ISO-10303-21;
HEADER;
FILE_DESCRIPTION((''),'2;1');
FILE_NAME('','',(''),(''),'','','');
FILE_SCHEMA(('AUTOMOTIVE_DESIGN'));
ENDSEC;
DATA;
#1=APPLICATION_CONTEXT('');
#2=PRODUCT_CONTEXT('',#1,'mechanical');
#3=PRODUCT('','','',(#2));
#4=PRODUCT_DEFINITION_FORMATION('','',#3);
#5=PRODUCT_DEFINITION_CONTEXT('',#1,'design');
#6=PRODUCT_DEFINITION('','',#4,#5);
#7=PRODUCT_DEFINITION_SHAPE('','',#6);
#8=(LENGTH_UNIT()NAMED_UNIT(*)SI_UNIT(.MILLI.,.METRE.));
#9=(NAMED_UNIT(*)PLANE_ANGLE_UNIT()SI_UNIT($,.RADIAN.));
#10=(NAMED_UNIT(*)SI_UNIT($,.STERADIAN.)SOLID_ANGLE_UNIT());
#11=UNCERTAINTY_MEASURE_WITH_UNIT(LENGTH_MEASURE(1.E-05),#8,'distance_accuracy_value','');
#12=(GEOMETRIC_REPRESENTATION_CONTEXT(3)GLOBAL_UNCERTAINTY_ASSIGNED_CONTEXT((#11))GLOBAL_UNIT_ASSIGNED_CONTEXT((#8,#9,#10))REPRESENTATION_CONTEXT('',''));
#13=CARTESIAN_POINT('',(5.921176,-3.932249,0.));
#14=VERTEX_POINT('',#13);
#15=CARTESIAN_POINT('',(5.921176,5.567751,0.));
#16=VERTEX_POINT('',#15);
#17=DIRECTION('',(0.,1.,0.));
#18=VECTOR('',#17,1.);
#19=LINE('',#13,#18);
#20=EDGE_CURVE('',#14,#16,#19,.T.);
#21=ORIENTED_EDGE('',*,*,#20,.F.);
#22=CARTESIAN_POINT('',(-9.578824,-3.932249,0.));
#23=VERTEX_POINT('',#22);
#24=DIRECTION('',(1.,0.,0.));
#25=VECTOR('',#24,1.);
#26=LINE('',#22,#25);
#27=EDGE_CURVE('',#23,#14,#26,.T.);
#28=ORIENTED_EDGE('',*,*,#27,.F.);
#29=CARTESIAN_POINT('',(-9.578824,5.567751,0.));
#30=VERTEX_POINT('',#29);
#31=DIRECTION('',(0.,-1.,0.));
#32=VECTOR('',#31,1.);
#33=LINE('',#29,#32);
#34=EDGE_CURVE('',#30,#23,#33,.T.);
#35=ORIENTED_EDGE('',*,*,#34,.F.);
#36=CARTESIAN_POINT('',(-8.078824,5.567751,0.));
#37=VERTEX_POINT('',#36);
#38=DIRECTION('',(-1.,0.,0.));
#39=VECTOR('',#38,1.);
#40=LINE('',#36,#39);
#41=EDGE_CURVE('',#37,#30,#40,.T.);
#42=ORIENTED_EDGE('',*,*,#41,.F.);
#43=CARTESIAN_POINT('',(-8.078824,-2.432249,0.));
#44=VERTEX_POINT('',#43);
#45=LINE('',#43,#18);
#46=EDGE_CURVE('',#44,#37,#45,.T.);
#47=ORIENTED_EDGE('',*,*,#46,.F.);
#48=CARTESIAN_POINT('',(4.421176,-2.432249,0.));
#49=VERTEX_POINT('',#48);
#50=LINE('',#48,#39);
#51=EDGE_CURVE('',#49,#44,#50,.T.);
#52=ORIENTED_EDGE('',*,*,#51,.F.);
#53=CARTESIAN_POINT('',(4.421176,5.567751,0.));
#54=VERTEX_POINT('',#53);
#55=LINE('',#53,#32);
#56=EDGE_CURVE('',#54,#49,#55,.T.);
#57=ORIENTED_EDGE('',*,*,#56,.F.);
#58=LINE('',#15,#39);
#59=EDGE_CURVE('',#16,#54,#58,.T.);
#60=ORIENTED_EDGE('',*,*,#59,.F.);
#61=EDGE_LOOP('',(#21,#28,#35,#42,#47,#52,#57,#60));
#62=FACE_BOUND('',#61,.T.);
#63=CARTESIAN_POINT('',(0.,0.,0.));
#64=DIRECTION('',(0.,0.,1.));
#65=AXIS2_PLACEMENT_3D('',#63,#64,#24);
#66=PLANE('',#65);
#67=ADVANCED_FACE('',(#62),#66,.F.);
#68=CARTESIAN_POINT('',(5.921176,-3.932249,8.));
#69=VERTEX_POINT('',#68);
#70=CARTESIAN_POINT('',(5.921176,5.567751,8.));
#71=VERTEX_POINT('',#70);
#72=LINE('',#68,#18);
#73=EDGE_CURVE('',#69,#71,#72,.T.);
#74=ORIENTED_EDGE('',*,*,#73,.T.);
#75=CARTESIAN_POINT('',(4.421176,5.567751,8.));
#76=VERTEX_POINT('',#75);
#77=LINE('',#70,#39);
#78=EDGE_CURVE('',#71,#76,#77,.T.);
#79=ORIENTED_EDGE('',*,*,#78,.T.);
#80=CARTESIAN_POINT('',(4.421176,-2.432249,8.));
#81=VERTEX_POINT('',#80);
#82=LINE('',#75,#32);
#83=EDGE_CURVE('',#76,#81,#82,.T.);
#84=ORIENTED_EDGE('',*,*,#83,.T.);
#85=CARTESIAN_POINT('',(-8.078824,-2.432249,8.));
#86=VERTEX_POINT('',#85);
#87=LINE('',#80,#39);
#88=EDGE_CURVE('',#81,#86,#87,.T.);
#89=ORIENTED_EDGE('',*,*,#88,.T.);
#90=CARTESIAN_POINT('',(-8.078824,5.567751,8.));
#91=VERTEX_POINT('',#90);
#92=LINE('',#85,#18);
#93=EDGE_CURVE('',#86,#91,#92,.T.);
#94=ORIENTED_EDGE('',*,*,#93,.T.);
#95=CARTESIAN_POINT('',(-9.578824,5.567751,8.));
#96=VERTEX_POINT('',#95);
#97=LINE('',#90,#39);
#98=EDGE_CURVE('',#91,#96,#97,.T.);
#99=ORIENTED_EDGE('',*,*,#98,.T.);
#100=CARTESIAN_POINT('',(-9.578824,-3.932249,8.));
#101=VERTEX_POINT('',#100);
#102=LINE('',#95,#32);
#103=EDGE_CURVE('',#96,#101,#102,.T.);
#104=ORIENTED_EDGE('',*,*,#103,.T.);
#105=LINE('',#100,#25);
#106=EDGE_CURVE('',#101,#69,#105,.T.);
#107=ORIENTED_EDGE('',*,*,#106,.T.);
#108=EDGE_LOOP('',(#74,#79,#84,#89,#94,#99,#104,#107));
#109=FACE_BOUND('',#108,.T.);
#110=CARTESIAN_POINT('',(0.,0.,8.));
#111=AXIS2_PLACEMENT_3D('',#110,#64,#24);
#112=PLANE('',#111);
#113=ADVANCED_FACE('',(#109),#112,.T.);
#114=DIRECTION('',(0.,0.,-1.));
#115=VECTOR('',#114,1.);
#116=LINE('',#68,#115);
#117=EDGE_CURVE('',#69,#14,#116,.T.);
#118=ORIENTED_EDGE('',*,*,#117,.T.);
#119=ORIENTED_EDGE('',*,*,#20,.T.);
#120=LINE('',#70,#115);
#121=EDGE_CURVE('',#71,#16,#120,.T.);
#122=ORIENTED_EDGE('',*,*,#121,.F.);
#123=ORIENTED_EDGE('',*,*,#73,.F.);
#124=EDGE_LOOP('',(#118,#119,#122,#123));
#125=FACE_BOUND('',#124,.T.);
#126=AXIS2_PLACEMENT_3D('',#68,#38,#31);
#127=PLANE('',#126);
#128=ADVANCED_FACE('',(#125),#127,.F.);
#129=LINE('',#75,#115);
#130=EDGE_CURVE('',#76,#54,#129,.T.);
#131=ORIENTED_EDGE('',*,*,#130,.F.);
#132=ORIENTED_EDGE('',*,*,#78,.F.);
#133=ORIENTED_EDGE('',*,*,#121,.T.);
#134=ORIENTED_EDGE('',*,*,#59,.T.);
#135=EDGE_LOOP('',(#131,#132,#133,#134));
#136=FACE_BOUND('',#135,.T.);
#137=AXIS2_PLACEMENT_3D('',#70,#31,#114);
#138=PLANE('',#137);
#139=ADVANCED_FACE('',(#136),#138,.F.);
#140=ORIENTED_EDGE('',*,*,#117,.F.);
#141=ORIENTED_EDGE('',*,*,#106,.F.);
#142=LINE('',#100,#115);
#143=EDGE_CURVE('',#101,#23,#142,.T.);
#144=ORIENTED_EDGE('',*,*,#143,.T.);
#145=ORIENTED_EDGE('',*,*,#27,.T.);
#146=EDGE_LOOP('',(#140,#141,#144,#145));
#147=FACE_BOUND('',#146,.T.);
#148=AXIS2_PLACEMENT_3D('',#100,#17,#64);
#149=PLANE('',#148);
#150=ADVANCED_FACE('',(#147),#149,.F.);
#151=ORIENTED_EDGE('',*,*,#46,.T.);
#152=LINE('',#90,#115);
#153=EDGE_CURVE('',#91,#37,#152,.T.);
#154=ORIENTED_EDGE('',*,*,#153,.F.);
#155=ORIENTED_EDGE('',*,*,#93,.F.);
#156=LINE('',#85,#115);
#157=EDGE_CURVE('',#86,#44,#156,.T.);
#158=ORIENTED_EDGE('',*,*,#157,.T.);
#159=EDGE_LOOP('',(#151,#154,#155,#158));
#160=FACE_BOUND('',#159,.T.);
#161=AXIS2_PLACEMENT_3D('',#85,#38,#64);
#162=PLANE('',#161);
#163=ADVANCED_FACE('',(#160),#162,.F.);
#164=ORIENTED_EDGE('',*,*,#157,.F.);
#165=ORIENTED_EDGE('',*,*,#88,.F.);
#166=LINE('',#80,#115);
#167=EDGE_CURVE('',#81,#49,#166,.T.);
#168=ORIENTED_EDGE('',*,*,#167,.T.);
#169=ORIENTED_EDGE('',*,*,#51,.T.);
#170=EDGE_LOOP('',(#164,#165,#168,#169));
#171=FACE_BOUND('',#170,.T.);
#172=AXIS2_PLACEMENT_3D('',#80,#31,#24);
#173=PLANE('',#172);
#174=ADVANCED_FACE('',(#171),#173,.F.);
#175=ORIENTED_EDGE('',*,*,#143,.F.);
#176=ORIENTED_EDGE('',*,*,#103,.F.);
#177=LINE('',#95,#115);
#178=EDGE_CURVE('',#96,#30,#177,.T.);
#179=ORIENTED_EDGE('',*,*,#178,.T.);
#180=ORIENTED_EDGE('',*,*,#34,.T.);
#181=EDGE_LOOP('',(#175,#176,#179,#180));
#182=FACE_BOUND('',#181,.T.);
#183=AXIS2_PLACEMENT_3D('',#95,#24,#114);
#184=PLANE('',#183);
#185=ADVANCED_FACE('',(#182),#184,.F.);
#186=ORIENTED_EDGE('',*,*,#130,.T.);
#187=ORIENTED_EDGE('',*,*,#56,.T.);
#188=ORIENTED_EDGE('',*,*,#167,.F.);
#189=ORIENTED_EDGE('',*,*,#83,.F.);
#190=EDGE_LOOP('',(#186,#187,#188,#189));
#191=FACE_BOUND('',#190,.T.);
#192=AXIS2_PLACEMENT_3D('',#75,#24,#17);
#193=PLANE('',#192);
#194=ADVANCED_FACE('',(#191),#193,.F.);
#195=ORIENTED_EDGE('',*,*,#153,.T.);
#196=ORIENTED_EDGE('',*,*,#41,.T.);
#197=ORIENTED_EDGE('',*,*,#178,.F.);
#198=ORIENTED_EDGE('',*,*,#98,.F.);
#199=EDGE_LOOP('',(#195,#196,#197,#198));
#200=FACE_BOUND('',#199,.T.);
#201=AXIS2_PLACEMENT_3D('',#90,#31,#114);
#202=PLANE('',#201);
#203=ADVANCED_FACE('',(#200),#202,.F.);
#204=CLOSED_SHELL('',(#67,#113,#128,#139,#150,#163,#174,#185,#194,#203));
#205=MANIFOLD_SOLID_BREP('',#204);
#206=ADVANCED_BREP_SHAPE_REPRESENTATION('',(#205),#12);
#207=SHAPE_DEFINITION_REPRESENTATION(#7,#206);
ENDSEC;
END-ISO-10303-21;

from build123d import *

# Parameters (mm, degrees)
EXTRUDE_1_DEPTH = 8


with BuildPart() as part:
    # 스케치1 → 보스-돌출1 (new body)
    with BuildSketch(Plane.XY):
        Polygon((-9.578824164, 5.567751479), (-9.578824164, -3.932248521), (5.921175836, -3.932248521), (5.921175836, 5.567751479), (4.421175836, 5.567751479), (4.421175836, -2.432248521), (-8.078824164, -2.432248521), (-8.078824164, 5.567751479), align=None)
    extrude(amount=EXTRUDE_1_DEPTH)


solid = part.part
